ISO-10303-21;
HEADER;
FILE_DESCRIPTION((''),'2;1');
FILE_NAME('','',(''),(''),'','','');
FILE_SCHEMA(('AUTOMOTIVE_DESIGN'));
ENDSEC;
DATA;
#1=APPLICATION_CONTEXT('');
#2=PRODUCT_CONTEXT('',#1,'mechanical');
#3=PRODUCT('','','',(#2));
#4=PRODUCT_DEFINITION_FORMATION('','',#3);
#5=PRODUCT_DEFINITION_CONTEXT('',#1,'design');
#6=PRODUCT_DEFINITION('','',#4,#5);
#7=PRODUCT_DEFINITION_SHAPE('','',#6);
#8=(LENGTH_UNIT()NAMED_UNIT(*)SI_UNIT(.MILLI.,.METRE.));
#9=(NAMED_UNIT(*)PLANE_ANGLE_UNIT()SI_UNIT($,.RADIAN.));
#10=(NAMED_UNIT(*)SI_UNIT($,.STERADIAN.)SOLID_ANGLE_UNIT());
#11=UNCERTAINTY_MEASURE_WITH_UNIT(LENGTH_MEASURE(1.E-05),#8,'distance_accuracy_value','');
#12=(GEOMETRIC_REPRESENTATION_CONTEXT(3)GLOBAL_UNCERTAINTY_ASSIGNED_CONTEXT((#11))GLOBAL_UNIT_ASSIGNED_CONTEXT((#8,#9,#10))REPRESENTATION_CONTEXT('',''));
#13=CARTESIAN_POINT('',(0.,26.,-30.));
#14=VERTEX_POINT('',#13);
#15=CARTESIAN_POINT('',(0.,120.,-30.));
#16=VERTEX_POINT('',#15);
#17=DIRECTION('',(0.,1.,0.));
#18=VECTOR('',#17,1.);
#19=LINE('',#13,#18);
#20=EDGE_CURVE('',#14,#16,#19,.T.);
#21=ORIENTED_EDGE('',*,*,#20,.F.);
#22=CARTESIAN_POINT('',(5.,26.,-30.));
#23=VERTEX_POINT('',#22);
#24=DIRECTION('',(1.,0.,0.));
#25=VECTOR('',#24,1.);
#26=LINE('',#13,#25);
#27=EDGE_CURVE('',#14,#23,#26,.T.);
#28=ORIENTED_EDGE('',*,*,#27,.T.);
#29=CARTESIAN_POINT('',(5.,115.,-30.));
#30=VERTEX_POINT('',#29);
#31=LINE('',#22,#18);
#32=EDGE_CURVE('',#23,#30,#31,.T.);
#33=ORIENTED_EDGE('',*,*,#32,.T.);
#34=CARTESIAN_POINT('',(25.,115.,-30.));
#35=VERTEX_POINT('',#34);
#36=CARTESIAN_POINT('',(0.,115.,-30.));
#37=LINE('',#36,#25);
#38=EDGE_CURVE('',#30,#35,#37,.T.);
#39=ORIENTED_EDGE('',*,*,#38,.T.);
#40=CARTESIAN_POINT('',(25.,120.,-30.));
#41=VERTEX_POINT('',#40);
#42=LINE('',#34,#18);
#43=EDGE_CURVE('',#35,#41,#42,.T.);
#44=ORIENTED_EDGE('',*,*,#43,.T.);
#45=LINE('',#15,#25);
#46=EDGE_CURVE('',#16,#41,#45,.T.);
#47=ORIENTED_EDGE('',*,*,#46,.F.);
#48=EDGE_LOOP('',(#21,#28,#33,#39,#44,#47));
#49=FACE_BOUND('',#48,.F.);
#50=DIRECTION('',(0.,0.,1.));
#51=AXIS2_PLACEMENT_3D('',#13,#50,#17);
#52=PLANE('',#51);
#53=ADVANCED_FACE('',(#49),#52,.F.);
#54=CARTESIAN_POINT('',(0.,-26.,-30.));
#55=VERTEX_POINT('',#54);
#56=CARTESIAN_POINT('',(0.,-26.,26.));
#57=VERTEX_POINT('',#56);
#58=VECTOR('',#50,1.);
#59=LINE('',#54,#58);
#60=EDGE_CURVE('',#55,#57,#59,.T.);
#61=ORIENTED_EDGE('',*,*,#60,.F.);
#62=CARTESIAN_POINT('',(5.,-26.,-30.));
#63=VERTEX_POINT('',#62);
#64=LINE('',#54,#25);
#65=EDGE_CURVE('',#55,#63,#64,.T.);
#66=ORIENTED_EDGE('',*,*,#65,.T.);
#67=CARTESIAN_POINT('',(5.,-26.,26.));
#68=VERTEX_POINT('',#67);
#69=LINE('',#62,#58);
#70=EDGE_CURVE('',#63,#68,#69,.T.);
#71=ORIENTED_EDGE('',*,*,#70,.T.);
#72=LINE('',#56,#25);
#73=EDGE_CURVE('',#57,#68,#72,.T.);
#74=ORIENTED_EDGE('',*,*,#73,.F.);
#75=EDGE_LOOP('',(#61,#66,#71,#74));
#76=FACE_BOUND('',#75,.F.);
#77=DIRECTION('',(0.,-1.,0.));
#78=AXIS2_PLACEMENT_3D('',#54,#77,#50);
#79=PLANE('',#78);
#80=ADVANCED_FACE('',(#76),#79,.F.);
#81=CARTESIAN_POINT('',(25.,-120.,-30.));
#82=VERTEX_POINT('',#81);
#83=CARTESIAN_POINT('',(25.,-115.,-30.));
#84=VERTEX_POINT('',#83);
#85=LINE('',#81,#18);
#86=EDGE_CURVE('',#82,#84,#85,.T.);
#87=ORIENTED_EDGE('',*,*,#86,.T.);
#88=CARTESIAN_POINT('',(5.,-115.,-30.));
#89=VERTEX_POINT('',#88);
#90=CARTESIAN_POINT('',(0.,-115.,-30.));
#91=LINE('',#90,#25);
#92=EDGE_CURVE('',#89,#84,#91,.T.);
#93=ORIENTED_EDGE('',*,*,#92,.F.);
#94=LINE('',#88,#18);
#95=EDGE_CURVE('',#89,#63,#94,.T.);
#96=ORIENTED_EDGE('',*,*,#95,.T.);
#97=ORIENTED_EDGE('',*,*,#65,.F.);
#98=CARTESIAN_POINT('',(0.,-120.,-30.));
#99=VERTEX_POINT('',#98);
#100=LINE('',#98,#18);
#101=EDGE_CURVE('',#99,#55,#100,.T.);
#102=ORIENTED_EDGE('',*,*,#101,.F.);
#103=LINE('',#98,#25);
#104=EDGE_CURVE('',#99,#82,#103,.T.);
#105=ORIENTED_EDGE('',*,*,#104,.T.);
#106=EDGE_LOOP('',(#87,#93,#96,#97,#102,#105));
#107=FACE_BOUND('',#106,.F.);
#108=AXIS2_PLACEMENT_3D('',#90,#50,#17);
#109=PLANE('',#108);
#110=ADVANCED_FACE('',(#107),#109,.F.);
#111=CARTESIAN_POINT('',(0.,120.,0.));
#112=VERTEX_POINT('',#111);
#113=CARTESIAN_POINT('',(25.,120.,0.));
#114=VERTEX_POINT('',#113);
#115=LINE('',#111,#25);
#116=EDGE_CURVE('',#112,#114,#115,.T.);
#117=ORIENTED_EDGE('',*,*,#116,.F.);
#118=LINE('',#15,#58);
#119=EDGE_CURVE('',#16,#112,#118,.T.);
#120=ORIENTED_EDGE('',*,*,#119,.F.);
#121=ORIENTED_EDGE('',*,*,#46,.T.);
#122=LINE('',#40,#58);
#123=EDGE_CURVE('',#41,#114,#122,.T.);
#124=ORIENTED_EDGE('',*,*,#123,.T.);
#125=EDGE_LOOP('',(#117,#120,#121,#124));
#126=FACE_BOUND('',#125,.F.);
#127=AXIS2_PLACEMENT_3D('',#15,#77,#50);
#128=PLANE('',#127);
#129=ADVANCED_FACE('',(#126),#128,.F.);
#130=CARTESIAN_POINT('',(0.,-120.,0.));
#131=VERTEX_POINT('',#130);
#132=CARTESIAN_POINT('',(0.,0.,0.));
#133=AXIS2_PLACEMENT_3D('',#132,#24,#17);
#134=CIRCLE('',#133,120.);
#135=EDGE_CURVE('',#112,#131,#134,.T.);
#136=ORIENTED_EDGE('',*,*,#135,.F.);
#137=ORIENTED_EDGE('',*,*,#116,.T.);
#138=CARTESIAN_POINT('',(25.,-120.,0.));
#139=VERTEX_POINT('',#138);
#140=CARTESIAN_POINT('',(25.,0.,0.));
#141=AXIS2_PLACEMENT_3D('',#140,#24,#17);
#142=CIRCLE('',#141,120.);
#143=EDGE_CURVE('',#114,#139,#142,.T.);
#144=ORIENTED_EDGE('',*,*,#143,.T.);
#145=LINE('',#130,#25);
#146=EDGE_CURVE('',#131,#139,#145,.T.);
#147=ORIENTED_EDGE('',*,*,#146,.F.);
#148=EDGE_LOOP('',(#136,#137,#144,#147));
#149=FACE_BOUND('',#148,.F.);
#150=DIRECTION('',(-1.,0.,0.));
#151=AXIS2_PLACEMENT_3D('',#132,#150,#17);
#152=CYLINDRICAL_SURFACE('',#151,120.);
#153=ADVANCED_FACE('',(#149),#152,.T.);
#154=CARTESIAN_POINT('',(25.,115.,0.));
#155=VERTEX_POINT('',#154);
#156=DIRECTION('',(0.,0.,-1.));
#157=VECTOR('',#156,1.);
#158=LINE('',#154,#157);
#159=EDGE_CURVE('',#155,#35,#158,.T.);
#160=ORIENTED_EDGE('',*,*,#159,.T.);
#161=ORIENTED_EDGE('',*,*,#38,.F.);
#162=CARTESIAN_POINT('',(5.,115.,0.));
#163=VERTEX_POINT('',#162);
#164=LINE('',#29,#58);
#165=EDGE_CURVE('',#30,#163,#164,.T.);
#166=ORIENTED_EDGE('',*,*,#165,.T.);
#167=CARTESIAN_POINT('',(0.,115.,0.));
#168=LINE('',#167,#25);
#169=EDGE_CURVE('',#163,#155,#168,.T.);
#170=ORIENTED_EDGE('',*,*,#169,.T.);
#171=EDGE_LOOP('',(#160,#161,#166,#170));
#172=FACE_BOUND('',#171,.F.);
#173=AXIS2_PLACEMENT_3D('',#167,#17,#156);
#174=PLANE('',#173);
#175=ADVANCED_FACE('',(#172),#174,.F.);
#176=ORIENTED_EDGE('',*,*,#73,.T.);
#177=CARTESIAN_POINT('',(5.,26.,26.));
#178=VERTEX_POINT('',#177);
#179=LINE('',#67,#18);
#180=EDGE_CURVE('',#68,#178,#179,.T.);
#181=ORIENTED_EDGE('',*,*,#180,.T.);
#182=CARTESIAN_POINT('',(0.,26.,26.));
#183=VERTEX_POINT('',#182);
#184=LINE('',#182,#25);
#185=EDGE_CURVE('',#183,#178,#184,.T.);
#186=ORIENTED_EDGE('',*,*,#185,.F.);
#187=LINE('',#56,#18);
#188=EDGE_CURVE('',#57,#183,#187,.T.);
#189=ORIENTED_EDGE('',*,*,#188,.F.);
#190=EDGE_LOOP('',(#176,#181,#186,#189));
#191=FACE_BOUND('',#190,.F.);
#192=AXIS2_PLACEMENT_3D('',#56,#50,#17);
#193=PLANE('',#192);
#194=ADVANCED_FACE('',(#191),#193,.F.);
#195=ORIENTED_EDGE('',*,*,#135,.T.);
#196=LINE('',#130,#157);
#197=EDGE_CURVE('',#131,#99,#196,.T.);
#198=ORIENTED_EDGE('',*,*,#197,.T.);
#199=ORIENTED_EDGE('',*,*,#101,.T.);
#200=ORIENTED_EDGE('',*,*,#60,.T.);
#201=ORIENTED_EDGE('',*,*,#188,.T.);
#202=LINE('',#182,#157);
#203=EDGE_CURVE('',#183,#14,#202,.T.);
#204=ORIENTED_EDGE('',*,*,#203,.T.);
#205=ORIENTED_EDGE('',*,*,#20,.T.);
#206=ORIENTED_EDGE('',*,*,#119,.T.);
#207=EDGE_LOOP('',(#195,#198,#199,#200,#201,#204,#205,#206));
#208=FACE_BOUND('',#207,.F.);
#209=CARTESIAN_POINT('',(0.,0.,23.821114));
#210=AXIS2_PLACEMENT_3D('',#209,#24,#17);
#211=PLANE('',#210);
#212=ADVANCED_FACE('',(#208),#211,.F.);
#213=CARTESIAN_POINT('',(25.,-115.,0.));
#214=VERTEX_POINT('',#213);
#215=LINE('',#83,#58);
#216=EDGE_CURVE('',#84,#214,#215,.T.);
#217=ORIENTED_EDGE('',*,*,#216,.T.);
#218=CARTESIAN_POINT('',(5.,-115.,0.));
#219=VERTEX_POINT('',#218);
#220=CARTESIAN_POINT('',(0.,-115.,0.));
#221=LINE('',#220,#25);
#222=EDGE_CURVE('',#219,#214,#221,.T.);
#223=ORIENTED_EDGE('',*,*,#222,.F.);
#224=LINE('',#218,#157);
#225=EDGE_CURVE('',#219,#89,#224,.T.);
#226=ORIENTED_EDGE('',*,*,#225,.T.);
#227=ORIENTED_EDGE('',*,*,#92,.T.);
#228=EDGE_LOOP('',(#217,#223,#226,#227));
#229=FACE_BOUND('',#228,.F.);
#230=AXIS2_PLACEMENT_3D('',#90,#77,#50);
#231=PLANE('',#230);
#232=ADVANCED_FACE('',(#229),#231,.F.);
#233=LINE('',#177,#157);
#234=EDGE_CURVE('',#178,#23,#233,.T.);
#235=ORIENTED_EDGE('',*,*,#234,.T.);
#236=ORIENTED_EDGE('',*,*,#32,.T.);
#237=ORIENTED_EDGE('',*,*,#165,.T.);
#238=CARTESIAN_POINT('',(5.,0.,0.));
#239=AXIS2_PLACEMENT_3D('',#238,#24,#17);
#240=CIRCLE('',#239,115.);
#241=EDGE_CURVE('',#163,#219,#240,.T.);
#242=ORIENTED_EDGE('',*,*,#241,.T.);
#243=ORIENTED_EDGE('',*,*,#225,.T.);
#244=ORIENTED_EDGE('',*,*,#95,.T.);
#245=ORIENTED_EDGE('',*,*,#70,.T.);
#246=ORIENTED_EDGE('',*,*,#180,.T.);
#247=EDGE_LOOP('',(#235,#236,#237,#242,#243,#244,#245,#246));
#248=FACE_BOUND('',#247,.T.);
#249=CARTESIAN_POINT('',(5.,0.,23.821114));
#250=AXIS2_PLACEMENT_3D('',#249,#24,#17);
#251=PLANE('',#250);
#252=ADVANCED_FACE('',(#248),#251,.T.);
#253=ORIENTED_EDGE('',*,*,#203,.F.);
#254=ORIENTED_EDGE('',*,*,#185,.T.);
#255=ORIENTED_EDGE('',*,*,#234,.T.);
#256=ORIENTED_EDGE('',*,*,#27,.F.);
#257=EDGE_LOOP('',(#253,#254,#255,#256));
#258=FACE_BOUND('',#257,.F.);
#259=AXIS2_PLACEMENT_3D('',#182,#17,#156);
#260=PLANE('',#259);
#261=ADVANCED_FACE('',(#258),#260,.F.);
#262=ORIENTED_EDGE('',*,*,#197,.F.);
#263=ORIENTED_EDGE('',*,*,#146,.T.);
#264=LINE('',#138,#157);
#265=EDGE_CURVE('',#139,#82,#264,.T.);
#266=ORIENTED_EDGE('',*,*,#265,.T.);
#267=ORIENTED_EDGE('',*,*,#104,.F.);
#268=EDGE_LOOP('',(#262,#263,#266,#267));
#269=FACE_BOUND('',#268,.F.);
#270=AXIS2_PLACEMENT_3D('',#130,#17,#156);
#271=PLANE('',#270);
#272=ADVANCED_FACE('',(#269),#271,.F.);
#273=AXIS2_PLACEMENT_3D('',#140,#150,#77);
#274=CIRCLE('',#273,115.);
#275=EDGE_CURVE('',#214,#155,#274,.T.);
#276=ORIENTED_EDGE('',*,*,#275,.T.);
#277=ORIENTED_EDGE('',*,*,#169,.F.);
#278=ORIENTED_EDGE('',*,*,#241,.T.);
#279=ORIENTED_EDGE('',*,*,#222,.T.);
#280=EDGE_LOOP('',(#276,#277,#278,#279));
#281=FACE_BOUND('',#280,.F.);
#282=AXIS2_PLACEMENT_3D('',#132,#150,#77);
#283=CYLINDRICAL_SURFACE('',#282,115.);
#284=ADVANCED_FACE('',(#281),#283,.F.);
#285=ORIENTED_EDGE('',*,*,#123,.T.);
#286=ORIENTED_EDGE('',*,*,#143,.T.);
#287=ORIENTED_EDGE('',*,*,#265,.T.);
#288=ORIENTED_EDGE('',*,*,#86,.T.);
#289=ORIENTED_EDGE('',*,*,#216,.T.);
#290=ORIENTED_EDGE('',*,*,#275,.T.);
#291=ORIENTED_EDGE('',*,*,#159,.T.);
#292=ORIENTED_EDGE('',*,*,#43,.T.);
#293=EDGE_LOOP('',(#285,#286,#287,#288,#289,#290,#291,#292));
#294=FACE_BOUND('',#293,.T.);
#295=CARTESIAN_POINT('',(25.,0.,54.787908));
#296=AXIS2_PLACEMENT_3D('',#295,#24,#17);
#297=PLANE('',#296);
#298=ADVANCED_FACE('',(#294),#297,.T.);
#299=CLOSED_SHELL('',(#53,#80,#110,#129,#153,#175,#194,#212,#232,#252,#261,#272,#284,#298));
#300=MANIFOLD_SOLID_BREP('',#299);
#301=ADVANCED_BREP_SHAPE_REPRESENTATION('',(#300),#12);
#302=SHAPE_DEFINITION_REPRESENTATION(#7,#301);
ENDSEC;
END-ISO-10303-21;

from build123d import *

# Parameters (mm, degrees)
F1_DEPTH = 5
F2_DEPTH = 25


with BuildPart() as f1:
    # F0 (on Right) → F1 (new body)
    with BuildSketch(Plane.YZ):
        with BuildLine():
            Line((115, -30), (115, 0))
            ThreePointArc((115, 0), (0, 115), (-115, 0))
            Line((-115, 0), (-115, -30))
            Line((-115, -30), (-26, -30))
            Line((-26, -30), (-26, 26))
            Line((-26, 26), (0, 26))
            Line((0, 26), (26, 26))
            Line((26, 26), (26, -30))
            Line((26, -30), (115, -30))
        make_face()
    extrude(amount=F1_DEPTH)

    # F0 (on Right) → F2 (join)
    with BuildSketch(Plane.YZ):
        with BuildLine():
            ThreePointArc((-115, 0), (0, 115), (115, 0))
            Line((115, 0), (115, -30))
            Line((115, -30), (116.1895, -30))
            Line((116.1895, -30), (120, -30))
            Line((120, -30), (120, 0))
            ThreePointArc((120, 0), (0, 120), (-120, 0))
            Line((-120, 0), (-120, -30))
            Line((-120, -30), (-115, -30))
            Line((-115, -30), (-115, 0))
        make_face()
    extrude(amount=F2_DEPTH)


solid = f1.part
